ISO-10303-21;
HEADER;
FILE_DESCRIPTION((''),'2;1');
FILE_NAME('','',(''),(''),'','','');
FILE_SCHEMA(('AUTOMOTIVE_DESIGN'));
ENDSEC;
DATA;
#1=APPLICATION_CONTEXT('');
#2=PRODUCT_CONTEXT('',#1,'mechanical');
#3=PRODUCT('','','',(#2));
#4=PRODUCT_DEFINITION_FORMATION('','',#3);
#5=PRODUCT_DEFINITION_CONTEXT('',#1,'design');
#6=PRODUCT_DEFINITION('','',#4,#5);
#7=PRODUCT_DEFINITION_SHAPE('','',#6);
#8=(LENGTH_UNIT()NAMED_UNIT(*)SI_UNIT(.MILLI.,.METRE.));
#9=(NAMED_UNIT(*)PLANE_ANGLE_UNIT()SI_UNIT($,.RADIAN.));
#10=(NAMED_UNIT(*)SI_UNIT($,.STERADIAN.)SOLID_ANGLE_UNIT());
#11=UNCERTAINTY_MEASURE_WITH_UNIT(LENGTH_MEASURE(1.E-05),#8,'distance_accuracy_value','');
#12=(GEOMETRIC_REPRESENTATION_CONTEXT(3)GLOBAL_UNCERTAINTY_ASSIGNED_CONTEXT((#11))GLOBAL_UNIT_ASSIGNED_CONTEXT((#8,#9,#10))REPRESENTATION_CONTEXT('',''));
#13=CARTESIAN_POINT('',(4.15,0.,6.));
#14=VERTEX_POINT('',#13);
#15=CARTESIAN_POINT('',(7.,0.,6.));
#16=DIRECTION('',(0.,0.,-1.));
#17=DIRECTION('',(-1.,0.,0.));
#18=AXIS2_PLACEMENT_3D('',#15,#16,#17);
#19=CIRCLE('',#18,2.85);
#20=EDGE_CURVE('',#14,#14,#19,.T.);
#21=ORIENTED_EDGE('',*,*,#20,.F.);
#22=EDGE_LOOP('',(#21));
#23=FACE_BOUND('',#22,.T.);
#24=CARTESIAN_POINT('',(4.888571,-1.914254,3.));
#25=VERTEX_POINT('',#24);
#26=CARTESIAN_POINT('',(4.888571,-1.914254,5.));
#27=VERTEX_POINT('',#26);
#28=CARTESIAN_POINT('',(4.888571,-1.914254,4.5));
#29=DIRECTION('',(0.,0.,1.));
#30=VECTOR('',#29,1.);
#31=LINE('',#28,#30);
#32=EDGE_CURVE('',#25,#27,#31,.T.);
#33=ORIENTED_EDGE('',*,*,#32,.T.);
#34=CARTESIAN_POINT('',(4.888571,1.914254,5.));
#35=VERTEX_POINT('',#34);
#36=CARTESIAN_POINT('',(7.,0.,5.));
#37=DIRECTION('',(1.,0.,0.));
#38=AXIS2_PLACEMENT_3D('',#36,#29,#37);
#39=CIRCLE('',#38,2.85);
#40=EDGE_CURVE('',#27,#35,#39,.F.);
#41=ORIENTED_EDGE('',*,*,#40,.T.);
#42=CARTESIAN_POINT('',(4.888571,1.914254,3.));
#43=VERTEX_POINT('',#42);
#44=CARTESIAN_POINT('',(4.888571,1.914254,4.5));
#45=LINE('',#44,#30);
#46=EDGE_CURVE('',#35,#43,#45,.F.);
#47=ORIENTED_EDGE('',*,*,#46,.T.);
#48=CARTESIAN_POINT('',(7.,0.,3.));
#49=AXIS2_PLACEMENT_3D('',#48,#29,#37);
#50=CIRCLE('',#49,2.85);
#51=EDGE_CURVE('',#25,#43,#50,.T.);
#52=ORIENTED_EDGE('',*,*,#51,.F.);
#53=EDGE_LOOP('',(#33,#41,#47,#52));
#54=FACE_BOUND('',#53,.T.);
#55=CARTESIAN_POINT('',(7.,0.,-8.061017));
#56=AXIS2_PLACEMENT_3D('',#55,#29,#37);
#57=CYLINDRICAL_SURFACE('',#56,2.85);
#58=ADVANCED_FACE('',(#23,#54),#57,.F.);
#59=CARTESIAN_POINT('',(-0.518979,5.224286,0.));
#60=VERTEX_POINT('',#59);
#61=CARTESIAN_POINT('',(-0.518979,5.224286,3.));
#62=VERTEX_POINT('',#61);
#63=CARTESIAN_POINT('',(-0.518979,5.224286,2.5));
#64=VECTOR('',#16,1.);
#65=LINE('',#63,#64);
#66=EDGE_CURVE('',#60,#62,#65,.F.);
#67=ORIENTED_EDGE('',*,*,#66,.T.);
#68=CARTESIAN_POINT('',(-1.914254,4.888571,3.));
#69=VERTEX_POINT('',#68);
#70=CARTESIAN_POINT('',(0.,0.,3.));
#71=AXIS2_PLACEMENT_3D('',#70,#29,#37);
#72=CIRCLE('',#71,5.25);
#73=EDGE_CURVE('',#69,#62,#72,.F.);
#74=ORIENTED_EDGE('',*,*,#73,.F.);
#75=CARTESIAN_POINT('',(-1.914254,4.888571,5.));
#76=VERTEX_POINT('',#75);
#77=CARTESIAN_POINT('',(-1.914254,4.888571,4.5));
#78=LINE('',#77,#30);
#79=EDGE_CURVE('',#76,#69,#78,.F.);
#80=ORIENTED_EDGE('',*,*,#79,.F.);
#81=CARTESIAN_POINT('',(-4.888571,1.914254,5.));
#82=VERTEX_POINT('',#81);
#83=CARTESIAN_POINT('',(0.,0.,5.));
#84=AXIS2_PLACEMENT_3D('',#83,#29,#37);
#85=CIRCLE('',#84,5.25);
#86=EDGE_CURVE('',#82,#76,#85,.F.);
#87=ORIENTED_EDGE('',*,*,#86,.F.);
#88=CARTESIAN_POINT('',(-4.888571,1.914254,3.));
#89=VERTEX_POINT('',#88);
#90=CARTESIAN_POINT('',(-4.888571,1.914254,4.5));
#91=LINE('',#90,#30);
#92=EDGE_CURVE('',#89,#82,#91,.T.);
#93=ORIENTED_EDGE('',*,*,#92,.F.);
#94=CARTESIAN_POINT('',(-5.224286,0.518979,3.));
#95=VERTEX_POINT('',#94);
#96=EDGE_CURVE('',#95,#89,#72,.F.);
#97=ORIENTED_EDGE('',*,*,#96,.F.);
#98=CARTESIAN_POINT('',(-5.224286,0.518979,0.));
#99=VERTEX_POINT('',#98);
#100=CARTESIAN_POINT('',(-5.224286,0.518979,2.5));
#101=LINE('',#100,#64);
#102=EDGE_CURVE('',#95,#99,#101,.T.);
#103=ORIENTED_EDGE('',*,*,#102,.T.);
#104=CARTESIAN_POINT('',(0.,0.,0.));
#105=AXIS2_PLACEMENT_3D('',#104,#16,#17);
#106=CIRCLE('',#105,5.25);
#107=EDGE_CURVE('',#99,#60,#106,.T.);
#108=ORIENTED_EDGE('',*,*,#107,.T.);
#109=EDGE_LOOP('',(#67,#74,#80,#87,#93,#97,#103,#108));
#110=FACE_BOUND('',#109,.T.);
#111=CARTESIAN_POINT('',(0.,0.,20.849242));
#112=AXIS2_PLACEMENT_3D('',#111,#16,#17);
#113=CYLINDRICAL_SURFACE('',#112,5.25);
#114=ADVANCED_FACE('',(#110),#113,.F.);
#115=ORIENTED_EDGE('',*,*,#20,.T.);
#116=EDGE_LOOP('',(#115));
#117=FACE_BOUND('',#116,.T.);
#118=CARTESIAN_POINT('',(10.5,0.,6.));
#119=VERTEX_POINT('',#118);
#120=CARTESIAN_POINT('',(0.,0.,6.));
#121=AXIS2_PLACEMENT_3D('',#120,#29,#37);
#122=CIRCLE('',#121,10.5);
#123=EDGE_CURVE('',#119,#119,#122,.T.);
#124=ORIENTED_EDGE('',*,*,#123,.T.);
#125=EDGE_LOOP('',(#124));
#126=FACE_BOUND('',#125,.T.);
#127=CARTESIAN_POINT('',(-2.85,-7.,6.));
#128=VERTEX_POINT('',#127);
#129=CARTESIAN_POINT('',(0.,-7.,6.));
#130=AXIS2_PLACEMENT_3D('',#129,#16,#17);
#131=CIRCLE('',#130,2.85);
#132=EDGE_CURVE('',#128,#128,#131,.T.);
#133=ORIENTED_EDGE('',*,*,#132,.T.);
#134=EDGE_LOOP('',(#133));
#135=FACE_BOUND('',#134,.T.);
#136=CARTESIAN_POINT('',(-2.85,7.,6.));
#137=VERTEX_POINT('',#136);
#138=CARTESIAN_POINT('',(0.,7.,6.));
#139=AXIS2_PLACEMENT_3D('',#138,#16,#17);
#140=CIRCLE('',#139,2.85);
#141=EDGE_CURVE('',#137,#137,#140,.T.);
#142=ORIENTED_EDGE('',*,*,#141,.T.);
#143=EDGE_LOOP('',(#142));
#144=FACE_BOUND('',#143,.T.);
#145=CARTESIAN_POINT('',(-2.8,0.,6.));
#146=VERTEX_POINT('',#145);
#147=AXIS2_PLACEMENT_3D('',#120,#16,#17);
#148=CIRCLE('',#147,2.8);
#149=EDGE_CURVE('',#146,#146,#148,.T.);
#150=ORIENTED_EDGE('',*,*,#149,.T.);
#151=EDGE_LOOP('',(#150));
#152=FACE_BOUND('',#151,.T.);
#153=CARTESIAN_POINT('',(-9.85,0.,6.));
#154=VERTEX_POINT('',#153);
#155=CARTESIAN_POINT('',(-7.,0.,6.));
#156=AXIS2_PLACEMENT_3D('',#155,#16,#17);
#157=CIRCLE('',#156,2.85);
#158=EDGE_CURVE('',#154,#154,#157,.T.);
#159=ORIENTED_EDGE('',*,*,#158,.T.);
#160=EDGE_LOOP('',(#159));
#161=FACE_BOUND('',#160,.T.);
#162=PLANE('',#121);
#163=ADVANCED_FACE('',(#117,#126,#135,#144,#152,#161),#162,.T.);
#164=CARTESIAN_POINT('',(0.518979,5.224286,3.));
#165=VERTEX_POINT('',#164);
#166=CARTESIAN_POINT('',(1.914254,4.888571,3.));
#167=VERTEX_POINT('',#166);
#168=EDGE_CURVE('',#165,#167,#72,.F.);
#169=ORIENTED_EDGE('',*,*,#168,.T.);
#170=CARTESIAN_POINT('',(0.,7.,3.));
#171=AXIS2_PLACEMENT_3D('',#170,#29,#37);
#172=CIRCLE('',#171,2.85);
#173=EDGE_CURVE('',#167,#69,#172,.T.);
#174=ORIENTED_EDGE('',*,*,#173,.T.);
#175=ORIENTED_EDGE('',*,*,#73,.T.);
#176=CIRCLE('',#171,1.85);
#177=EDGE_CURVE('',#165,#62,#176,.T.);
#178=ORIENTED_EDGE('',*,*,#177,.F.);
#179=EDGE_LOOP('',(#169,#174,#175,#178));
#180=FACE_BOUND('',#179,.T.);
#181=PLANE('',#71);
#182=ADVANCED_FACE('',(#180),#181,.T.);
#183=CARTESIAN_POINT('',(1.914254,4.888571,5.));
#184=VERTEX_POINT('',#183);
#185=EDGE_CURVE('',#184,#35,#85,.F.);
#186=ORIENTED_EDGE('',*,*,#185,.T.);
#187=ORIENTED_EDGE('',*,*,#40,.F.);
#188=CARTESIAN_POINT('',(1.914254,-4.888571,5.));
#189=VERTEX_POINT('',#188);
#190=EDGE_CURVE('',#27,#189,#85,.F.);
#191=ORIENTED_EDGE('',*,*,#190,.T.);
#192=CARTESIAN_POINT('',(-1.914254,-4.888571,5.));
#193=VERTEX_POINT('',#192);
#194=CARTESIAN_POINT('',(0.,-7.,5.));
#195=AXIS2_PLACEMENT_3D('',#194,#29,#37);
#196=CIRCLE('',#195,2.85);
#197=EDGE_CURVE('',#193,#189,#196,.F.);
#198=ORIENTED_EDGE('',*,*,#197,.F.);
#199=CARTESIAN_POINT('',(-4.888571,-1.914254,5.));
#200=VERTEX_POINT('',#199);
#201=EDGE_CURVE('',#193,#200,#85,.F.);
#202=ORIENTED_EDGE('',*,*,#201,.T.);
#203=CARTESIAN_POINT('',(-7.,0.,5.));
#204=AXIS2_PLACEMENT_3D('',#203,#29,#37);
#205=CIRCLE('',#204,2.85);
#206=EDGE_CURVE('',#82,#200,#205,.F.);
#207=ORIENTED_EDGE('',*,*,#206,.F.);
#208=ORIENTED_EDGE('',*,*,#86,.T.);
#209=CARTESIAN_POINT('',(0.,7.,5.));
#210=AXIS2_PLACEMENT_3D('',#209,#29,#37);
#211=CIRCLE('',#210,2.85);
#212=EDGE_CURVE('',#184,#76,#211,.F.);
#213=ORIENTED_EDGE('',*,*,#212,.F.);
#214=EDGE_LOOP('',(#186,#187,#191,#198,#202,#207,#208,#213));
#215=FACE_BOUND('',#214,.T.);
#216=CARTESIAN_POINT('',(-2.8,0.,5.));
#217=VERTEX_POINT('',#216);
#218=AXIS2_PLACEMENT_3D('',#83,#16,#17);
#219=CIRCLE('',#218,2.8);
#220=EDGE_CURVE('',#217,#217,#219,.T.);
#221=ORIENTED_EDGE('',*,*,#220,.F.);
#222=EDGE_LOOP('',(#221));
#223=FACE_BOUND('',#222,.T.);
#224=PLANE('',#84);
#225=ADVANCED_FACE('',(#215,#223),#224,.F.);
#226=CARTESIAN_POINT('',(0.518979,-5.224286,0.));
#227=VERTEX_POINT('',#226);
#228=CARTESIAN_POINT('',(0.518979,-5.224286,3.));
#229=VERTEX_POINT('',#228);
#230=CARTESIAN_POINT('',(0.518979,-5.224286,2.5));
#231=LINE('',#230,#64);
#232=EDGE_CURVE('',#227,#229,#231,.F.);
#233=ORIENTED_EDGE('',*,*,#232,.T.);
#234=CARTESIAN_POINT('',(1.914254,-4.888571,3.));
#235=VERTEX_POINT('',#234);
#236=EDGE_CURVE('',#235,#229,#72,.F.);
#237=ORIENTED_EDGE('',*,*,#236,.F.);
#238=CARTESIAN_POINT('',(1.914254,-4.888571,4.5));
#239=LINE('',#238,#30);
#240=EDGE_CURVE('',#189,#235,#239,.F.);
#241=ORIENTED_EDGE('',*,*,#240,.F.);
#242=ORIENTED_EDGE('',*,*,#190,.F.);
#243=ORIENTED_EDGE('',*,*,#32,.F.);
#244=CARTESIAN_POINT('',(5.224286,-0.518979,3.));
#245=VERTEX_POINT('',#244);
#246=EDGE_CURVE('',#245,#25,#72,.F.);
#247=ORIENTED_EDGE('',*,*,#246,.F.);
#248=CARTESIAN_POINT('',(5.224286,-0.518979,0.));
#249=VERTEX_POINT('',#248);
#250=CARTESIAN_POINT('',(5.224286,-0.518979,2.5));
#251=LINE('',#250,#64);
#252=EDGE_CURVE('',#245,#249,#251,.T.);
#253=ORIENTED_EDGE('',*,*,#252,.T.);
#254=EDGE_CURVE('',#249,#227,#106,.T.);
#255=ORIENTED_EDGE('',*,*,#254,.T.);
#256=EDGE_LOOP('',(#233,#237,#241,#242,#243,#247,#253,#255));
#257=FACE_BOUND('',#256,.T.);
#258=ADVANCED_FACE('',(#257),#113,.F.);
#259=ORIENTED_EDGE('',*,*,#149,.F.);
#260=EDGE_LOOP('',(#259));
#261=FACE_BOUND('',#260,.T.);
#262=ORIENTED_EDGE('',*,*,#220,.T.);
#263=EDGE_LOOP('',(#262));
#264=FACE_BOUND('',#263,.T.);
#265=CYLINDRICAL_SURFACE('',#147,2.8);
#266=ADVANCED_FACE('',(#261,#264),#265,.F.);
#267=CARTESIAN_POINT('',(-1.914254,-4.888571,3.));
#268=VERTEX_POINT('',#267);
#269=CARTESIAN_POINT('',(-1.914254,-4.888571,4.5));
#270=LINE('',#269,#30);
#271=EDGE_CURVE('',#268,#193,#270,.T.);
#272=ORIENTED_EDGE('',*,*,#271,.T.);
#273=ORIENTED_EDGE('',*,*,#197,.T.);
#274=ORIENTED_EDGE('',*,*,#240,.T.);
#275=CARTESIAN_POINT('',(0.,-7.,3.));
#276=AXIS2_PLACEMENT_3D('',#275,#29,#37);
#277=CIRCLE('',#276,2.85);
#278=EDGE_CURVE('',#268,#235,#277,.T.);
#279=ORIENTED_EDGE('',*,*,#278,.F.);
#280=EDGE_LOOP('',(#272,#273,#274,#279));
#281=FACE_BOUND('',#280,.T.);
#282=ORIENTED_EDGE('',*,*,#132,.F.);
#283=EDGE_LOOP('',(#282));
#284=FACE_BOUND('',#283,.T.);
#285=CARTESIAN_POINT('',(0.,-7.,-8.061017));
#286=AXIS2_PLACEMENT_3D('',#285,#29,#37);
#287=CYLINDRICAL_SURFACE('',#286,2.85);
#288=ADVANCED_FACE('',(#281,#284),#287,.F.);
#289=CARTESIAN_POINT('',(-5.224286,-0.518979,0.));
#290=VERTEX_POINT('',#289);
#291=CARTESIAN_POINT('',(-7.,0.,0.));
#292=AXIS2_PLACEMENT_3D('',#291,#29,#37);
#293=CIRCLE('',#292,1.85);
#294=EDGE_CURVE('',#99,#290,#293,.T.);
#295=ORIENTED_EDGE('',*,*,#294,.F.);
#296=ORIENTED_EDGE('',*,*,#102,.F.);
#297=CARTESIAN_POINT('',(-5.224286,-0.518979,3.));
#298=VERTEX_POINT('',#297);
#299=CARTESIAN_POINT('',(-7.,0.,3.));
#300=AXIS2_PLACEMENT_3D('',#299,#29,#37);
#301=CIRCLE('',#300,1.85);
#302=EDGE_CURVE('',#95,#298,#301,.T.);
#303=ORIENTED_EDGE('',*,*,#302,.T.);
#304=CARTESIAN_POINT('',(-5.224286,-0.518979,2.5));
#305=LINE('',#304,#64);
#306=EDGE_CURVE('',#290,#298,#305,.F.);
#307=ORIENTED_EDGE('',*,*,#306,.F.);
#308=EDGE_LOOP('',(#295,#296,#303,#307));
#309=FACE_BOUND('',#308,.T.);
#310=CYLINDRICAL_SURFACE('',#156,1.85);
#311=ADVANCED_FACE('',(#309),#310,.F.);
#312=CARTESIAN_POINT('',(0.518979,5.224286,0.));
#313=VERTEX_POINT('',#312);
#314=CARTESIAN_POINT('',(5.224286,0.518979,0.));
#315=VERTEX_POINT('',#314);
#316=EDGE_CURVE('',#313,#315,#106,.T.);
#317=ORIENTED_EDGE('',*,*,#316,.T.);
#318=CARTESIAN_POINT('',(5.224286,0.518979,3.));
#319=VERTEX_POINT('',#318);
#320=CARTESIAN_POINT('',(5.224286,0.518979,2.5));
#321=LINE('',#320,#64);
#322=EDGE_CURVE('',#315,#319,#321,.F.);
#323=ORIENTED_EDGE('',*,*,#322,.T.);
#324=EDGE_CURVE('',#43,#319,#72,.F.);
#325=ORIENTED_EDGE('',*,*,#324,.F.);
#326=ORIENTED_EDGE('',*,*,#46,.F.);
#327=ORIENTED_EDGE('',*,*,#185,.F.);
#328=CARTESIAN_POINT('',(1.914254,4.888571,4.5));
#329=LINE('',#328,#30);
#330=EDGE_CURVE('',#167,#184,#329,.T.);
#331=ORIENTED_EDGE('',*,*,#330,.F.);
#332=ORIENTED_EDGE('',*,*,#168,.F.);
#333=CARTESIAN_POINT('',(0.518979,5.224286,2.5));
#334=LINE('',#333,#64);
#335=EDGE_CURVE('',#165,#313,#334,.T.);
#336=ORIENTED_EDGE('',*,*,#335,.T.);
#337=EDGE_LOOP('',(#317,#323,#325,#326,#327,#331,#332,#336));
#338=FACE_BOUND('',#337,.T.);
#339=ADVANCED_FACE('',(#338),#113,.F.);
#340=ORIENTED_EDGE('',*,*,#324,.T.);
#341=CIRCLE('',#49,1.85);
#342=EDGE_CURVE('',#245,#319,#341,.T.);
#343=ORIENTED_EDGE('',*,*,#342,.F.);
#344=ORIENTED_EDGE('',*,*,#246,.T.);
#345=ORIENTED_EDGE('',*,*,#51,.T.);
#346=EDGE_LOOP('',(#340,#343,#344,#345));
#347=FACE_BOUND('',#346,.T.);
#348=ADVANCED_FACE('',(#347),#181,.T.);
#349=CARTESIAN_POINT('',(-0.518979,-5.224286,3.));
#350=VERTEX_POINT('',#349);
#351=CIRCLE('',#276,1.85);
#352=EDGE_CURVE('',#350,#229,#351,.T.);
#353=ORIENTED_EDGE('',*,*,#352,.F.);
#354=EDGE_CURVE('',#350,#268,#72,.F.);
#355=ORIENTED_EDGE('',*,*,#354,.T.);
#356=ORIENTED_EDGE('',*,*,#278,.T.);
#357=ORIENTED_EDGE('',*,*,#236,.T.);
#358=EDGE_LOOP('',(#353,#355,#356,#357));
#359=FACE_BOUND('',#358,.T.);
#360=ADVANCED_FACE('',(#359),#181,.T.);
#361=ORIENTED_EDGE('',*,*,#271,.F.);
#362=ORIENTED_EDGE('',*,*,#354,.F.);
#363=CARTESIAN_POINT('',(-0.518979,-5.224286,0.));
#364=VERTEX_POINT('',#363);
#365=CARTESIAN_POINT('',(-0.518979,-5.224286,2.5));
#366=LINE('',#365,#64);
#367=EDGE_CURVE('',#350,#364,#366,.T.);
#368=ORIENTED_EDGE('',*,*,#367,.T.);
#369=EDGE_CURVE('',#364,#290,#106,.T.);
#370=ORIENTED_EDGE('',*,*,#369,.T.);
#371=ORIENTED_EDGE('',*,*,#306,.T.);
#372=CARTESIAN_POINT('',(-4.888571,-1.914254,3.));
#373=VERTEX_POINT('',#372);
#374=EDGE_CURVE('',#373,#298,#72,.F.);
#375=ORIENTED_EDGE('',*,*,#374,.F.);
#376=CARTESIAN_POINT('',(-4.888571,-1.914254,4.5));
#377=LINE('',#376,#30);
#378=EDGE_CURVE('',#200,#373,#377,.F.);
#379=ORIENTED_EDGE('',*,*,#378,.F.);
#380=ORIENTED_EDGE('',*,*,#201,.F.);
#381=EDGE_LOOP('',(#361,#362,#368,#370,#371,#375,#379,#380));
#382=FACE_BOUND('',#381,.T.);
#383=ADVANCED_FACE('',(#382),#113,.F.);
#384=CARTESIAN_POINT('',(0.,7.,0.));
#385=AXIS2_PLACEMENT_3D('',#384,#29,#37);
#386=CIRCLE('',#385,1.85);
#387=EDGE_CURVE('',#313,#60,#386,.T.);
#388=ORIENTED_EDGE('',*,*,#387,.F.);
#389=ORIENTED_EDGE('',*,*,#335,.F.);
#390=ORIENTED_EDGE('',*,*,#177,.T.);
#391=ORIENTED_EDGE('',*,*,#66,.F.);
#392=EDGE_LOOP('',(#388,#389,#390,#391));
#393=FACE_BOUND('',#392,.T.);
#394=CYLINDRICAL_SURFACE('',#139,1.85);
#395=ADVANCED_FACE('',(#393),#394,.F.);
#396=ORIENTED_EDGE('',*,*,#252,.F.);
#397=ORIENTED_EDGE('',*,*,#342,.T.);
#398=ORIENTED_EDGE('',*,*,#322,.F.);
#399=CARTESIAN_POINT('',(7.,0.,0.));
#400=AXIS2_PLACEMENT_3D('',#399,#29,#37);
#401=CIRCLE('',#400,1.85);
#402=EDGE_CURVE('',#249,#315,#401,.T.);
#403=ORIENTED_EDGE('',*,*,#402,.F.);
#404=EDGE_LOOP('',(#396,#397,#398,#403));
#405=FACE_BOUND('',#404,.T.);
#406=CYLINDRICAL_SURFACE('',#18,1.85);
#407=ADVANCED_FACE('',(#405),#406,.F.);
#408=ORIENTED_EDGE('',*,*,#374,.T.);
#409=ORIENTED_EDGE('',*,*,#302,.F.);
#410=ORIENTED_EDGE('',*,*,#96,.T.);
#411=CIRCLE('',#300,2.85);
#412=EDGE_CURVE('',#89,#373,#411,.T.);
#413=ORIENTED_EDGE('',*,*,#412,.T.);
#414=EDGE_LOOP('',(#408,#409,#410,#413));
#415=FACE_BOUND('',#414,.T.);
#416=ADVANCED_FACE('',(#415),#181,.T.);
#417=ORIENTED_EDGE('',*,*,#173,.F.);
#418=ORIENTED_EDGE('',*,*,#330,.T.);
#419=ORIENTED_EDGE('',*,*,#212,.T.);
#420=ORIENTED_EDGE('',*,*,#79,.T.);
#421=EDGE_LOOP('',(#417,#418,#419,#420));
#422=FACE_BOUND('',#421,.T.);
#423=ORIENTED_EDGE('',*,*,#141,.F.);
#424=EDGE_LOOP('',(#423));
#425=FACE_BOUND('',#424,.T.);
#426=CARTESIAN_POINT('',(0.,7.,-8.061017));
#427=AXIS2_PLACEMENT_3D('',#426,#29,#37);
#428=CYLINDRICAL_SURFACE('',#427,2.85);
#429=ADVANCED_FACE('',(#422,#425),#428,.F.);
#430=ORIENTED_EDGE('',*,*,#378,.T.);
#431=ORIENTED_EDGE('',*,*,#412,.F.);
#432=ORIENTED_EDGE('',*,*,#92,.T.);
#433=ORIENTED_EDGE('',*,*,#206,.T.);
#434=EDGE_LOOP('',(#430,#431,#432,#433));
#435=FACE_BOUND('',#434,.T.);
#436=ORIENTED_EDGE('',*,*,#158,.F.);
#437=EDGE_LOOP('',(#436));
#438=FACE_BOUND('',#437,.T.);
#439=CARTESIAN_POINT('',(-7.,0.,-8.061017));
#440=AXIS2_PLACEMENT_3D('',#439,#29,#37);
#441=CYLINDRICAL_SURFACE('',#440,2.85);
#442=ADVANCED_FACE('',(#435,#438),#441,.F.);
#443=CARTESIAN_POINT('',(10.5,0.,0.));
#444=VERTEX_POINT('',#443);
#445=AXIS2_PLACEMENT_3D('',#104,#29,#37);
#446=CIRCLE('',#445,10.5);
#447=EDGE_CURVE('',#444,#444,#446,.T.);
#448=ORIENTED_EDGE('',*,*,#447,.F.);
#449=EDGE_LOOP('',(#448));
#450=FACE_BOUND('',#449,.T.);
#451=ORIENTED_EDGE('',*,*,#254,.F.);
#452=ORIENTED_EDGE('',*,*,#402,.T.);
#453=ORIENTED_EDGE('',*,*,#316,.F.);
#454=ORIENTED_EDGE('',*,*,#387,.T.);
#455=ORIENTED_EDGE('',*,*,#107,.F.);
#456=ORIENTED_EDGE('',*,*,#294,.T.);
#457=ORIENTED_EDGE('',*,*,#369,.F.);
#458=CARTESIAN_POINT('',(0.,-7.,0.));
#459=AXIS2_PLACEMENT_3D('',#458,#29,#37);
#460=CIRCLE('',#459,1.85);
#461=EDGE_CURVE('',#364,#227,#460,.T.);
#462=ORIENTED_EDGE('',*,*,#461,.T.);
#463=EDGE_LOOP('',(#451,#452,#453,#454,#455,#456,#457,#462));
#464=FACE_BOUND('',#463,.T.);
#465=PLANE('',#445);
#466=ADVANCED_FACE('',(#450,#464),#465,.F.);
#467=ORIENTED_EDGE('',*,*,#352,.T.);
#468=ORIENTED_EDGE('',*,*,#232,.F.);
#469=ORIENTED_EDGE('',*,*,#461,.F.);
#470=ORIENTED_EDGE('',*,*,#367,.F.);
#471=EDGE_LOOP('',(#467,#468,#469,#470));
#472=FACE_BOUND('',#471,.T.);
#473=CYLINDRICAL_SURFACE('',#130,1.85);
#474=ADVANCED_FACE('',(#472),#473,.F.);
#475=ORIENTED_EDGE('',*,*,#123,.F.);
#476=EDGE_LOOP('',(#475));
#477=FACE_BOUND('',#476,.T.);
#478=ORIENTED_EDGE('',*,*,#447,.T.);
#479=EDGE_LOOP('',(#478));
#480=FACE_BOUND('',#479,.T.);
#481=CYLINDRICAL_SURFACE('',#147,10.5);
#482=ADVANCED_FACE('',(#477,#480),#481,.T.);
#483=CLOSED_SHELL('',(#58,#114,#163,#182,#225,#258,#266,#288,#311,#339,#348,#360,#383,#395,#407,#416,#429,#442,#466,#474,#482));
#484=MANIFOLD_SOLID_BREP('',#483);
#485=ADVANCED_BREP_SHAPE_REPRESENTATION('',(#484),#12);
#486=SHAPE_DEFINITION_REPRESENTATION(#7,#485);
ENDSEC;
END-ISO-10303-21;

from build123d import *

# Parameters (mm, degrees)
SKETCH1_R           = 10.5
SKETCH1_R_2         = 1.85
BOSS_EXTRUDE1_DEPTH = 6
SKETCH2_R           = 5.25
CUT_EXTRUDE1_DEPTH  = 5
SKETCH3_R           = 2.8
CUT_EXTRUDE2_DEPTH  = 2
SKETCH5_R           = 2.85
SKETCH5_R_2         = 1.85
CUT_EXTRUDE4_DEPTH  = 3


with BuildPart() as part:
    # Sketch1 → Boss-Extrude1 (new body)
    with BuildSketch(Plane.XY):
        Circle(SKETCH1_R)
        with Locations((7, 0)):
            Circle(SKETCH1_R_2, mode=Mode.SUBTRACT)
        with Locations((0, -7)):
            Circle(SKETCH1_R_2, mode=Mode.SUBTRACT)
        with Locations((-7, 0)):
            Circle(SKETCH1_R_2, mode=Mode.SUBTRACT)
        with Locations((0, 7)):
            Circle(SKETCH1_R_2, mode=Mode.SUBTRACT)
    extrude(amount=BOSS_EXTRUDE1_DEPTH)

    # Sketch2 → Cut-Extrude1 (cut)
    with BuildSketch(Plane(origin=(0, 0, 0), x_dir=(-1, 0, 0), z_dir=(0, 0, -1))):
        Circle(SKETCH2_R)
    extrude(amount=-CUT_EXTRUDE1_DEPTH, mode=Mode.SUBTRACT)

    # Sketch3 → Cut-Extrude2 (cut, through all)
    with BuildSketch(Plane(origin=(0, 0, 5), x_dir=(-1, 0, 0), z_dir=(0, 0, -1))):
        Circle(SKETCH3_R)
    extrude(amount=-CUT_EXTRUDE2_DEPTH, mode=Mode.SUBTRACT)

    # Sketch5 → Cut-Extrude4 (cut)
    with BuildSketch(Plane(origin=(0, 0, 6), x_dir=(-1, 0, 0), z_dir=(0, 0, -1))):
        with Locations((0, 7)):
            Circle(SKETCH5_R)
        with Locations((0, 7)):
            Circle(SKETCH5_R_2, mode=Mode.SUBTRACT)
        with Locations((7, 0)):
            Circle(SKETCH5_R)
        with Locations((0, -7)):
            Circle(SKETCH5_R)
        with Locations((-7, 0)):
            Circle(SKETCH5_R)
        with Locations((-7, 0)):
            Circle(SKETCH5_R_2, mode=Mode.SUBTRACT)
    extrude(amount=CUT_EXTRUDE4_DEPTH, mode=Mode.SUBTRACT)


solid = part.part
